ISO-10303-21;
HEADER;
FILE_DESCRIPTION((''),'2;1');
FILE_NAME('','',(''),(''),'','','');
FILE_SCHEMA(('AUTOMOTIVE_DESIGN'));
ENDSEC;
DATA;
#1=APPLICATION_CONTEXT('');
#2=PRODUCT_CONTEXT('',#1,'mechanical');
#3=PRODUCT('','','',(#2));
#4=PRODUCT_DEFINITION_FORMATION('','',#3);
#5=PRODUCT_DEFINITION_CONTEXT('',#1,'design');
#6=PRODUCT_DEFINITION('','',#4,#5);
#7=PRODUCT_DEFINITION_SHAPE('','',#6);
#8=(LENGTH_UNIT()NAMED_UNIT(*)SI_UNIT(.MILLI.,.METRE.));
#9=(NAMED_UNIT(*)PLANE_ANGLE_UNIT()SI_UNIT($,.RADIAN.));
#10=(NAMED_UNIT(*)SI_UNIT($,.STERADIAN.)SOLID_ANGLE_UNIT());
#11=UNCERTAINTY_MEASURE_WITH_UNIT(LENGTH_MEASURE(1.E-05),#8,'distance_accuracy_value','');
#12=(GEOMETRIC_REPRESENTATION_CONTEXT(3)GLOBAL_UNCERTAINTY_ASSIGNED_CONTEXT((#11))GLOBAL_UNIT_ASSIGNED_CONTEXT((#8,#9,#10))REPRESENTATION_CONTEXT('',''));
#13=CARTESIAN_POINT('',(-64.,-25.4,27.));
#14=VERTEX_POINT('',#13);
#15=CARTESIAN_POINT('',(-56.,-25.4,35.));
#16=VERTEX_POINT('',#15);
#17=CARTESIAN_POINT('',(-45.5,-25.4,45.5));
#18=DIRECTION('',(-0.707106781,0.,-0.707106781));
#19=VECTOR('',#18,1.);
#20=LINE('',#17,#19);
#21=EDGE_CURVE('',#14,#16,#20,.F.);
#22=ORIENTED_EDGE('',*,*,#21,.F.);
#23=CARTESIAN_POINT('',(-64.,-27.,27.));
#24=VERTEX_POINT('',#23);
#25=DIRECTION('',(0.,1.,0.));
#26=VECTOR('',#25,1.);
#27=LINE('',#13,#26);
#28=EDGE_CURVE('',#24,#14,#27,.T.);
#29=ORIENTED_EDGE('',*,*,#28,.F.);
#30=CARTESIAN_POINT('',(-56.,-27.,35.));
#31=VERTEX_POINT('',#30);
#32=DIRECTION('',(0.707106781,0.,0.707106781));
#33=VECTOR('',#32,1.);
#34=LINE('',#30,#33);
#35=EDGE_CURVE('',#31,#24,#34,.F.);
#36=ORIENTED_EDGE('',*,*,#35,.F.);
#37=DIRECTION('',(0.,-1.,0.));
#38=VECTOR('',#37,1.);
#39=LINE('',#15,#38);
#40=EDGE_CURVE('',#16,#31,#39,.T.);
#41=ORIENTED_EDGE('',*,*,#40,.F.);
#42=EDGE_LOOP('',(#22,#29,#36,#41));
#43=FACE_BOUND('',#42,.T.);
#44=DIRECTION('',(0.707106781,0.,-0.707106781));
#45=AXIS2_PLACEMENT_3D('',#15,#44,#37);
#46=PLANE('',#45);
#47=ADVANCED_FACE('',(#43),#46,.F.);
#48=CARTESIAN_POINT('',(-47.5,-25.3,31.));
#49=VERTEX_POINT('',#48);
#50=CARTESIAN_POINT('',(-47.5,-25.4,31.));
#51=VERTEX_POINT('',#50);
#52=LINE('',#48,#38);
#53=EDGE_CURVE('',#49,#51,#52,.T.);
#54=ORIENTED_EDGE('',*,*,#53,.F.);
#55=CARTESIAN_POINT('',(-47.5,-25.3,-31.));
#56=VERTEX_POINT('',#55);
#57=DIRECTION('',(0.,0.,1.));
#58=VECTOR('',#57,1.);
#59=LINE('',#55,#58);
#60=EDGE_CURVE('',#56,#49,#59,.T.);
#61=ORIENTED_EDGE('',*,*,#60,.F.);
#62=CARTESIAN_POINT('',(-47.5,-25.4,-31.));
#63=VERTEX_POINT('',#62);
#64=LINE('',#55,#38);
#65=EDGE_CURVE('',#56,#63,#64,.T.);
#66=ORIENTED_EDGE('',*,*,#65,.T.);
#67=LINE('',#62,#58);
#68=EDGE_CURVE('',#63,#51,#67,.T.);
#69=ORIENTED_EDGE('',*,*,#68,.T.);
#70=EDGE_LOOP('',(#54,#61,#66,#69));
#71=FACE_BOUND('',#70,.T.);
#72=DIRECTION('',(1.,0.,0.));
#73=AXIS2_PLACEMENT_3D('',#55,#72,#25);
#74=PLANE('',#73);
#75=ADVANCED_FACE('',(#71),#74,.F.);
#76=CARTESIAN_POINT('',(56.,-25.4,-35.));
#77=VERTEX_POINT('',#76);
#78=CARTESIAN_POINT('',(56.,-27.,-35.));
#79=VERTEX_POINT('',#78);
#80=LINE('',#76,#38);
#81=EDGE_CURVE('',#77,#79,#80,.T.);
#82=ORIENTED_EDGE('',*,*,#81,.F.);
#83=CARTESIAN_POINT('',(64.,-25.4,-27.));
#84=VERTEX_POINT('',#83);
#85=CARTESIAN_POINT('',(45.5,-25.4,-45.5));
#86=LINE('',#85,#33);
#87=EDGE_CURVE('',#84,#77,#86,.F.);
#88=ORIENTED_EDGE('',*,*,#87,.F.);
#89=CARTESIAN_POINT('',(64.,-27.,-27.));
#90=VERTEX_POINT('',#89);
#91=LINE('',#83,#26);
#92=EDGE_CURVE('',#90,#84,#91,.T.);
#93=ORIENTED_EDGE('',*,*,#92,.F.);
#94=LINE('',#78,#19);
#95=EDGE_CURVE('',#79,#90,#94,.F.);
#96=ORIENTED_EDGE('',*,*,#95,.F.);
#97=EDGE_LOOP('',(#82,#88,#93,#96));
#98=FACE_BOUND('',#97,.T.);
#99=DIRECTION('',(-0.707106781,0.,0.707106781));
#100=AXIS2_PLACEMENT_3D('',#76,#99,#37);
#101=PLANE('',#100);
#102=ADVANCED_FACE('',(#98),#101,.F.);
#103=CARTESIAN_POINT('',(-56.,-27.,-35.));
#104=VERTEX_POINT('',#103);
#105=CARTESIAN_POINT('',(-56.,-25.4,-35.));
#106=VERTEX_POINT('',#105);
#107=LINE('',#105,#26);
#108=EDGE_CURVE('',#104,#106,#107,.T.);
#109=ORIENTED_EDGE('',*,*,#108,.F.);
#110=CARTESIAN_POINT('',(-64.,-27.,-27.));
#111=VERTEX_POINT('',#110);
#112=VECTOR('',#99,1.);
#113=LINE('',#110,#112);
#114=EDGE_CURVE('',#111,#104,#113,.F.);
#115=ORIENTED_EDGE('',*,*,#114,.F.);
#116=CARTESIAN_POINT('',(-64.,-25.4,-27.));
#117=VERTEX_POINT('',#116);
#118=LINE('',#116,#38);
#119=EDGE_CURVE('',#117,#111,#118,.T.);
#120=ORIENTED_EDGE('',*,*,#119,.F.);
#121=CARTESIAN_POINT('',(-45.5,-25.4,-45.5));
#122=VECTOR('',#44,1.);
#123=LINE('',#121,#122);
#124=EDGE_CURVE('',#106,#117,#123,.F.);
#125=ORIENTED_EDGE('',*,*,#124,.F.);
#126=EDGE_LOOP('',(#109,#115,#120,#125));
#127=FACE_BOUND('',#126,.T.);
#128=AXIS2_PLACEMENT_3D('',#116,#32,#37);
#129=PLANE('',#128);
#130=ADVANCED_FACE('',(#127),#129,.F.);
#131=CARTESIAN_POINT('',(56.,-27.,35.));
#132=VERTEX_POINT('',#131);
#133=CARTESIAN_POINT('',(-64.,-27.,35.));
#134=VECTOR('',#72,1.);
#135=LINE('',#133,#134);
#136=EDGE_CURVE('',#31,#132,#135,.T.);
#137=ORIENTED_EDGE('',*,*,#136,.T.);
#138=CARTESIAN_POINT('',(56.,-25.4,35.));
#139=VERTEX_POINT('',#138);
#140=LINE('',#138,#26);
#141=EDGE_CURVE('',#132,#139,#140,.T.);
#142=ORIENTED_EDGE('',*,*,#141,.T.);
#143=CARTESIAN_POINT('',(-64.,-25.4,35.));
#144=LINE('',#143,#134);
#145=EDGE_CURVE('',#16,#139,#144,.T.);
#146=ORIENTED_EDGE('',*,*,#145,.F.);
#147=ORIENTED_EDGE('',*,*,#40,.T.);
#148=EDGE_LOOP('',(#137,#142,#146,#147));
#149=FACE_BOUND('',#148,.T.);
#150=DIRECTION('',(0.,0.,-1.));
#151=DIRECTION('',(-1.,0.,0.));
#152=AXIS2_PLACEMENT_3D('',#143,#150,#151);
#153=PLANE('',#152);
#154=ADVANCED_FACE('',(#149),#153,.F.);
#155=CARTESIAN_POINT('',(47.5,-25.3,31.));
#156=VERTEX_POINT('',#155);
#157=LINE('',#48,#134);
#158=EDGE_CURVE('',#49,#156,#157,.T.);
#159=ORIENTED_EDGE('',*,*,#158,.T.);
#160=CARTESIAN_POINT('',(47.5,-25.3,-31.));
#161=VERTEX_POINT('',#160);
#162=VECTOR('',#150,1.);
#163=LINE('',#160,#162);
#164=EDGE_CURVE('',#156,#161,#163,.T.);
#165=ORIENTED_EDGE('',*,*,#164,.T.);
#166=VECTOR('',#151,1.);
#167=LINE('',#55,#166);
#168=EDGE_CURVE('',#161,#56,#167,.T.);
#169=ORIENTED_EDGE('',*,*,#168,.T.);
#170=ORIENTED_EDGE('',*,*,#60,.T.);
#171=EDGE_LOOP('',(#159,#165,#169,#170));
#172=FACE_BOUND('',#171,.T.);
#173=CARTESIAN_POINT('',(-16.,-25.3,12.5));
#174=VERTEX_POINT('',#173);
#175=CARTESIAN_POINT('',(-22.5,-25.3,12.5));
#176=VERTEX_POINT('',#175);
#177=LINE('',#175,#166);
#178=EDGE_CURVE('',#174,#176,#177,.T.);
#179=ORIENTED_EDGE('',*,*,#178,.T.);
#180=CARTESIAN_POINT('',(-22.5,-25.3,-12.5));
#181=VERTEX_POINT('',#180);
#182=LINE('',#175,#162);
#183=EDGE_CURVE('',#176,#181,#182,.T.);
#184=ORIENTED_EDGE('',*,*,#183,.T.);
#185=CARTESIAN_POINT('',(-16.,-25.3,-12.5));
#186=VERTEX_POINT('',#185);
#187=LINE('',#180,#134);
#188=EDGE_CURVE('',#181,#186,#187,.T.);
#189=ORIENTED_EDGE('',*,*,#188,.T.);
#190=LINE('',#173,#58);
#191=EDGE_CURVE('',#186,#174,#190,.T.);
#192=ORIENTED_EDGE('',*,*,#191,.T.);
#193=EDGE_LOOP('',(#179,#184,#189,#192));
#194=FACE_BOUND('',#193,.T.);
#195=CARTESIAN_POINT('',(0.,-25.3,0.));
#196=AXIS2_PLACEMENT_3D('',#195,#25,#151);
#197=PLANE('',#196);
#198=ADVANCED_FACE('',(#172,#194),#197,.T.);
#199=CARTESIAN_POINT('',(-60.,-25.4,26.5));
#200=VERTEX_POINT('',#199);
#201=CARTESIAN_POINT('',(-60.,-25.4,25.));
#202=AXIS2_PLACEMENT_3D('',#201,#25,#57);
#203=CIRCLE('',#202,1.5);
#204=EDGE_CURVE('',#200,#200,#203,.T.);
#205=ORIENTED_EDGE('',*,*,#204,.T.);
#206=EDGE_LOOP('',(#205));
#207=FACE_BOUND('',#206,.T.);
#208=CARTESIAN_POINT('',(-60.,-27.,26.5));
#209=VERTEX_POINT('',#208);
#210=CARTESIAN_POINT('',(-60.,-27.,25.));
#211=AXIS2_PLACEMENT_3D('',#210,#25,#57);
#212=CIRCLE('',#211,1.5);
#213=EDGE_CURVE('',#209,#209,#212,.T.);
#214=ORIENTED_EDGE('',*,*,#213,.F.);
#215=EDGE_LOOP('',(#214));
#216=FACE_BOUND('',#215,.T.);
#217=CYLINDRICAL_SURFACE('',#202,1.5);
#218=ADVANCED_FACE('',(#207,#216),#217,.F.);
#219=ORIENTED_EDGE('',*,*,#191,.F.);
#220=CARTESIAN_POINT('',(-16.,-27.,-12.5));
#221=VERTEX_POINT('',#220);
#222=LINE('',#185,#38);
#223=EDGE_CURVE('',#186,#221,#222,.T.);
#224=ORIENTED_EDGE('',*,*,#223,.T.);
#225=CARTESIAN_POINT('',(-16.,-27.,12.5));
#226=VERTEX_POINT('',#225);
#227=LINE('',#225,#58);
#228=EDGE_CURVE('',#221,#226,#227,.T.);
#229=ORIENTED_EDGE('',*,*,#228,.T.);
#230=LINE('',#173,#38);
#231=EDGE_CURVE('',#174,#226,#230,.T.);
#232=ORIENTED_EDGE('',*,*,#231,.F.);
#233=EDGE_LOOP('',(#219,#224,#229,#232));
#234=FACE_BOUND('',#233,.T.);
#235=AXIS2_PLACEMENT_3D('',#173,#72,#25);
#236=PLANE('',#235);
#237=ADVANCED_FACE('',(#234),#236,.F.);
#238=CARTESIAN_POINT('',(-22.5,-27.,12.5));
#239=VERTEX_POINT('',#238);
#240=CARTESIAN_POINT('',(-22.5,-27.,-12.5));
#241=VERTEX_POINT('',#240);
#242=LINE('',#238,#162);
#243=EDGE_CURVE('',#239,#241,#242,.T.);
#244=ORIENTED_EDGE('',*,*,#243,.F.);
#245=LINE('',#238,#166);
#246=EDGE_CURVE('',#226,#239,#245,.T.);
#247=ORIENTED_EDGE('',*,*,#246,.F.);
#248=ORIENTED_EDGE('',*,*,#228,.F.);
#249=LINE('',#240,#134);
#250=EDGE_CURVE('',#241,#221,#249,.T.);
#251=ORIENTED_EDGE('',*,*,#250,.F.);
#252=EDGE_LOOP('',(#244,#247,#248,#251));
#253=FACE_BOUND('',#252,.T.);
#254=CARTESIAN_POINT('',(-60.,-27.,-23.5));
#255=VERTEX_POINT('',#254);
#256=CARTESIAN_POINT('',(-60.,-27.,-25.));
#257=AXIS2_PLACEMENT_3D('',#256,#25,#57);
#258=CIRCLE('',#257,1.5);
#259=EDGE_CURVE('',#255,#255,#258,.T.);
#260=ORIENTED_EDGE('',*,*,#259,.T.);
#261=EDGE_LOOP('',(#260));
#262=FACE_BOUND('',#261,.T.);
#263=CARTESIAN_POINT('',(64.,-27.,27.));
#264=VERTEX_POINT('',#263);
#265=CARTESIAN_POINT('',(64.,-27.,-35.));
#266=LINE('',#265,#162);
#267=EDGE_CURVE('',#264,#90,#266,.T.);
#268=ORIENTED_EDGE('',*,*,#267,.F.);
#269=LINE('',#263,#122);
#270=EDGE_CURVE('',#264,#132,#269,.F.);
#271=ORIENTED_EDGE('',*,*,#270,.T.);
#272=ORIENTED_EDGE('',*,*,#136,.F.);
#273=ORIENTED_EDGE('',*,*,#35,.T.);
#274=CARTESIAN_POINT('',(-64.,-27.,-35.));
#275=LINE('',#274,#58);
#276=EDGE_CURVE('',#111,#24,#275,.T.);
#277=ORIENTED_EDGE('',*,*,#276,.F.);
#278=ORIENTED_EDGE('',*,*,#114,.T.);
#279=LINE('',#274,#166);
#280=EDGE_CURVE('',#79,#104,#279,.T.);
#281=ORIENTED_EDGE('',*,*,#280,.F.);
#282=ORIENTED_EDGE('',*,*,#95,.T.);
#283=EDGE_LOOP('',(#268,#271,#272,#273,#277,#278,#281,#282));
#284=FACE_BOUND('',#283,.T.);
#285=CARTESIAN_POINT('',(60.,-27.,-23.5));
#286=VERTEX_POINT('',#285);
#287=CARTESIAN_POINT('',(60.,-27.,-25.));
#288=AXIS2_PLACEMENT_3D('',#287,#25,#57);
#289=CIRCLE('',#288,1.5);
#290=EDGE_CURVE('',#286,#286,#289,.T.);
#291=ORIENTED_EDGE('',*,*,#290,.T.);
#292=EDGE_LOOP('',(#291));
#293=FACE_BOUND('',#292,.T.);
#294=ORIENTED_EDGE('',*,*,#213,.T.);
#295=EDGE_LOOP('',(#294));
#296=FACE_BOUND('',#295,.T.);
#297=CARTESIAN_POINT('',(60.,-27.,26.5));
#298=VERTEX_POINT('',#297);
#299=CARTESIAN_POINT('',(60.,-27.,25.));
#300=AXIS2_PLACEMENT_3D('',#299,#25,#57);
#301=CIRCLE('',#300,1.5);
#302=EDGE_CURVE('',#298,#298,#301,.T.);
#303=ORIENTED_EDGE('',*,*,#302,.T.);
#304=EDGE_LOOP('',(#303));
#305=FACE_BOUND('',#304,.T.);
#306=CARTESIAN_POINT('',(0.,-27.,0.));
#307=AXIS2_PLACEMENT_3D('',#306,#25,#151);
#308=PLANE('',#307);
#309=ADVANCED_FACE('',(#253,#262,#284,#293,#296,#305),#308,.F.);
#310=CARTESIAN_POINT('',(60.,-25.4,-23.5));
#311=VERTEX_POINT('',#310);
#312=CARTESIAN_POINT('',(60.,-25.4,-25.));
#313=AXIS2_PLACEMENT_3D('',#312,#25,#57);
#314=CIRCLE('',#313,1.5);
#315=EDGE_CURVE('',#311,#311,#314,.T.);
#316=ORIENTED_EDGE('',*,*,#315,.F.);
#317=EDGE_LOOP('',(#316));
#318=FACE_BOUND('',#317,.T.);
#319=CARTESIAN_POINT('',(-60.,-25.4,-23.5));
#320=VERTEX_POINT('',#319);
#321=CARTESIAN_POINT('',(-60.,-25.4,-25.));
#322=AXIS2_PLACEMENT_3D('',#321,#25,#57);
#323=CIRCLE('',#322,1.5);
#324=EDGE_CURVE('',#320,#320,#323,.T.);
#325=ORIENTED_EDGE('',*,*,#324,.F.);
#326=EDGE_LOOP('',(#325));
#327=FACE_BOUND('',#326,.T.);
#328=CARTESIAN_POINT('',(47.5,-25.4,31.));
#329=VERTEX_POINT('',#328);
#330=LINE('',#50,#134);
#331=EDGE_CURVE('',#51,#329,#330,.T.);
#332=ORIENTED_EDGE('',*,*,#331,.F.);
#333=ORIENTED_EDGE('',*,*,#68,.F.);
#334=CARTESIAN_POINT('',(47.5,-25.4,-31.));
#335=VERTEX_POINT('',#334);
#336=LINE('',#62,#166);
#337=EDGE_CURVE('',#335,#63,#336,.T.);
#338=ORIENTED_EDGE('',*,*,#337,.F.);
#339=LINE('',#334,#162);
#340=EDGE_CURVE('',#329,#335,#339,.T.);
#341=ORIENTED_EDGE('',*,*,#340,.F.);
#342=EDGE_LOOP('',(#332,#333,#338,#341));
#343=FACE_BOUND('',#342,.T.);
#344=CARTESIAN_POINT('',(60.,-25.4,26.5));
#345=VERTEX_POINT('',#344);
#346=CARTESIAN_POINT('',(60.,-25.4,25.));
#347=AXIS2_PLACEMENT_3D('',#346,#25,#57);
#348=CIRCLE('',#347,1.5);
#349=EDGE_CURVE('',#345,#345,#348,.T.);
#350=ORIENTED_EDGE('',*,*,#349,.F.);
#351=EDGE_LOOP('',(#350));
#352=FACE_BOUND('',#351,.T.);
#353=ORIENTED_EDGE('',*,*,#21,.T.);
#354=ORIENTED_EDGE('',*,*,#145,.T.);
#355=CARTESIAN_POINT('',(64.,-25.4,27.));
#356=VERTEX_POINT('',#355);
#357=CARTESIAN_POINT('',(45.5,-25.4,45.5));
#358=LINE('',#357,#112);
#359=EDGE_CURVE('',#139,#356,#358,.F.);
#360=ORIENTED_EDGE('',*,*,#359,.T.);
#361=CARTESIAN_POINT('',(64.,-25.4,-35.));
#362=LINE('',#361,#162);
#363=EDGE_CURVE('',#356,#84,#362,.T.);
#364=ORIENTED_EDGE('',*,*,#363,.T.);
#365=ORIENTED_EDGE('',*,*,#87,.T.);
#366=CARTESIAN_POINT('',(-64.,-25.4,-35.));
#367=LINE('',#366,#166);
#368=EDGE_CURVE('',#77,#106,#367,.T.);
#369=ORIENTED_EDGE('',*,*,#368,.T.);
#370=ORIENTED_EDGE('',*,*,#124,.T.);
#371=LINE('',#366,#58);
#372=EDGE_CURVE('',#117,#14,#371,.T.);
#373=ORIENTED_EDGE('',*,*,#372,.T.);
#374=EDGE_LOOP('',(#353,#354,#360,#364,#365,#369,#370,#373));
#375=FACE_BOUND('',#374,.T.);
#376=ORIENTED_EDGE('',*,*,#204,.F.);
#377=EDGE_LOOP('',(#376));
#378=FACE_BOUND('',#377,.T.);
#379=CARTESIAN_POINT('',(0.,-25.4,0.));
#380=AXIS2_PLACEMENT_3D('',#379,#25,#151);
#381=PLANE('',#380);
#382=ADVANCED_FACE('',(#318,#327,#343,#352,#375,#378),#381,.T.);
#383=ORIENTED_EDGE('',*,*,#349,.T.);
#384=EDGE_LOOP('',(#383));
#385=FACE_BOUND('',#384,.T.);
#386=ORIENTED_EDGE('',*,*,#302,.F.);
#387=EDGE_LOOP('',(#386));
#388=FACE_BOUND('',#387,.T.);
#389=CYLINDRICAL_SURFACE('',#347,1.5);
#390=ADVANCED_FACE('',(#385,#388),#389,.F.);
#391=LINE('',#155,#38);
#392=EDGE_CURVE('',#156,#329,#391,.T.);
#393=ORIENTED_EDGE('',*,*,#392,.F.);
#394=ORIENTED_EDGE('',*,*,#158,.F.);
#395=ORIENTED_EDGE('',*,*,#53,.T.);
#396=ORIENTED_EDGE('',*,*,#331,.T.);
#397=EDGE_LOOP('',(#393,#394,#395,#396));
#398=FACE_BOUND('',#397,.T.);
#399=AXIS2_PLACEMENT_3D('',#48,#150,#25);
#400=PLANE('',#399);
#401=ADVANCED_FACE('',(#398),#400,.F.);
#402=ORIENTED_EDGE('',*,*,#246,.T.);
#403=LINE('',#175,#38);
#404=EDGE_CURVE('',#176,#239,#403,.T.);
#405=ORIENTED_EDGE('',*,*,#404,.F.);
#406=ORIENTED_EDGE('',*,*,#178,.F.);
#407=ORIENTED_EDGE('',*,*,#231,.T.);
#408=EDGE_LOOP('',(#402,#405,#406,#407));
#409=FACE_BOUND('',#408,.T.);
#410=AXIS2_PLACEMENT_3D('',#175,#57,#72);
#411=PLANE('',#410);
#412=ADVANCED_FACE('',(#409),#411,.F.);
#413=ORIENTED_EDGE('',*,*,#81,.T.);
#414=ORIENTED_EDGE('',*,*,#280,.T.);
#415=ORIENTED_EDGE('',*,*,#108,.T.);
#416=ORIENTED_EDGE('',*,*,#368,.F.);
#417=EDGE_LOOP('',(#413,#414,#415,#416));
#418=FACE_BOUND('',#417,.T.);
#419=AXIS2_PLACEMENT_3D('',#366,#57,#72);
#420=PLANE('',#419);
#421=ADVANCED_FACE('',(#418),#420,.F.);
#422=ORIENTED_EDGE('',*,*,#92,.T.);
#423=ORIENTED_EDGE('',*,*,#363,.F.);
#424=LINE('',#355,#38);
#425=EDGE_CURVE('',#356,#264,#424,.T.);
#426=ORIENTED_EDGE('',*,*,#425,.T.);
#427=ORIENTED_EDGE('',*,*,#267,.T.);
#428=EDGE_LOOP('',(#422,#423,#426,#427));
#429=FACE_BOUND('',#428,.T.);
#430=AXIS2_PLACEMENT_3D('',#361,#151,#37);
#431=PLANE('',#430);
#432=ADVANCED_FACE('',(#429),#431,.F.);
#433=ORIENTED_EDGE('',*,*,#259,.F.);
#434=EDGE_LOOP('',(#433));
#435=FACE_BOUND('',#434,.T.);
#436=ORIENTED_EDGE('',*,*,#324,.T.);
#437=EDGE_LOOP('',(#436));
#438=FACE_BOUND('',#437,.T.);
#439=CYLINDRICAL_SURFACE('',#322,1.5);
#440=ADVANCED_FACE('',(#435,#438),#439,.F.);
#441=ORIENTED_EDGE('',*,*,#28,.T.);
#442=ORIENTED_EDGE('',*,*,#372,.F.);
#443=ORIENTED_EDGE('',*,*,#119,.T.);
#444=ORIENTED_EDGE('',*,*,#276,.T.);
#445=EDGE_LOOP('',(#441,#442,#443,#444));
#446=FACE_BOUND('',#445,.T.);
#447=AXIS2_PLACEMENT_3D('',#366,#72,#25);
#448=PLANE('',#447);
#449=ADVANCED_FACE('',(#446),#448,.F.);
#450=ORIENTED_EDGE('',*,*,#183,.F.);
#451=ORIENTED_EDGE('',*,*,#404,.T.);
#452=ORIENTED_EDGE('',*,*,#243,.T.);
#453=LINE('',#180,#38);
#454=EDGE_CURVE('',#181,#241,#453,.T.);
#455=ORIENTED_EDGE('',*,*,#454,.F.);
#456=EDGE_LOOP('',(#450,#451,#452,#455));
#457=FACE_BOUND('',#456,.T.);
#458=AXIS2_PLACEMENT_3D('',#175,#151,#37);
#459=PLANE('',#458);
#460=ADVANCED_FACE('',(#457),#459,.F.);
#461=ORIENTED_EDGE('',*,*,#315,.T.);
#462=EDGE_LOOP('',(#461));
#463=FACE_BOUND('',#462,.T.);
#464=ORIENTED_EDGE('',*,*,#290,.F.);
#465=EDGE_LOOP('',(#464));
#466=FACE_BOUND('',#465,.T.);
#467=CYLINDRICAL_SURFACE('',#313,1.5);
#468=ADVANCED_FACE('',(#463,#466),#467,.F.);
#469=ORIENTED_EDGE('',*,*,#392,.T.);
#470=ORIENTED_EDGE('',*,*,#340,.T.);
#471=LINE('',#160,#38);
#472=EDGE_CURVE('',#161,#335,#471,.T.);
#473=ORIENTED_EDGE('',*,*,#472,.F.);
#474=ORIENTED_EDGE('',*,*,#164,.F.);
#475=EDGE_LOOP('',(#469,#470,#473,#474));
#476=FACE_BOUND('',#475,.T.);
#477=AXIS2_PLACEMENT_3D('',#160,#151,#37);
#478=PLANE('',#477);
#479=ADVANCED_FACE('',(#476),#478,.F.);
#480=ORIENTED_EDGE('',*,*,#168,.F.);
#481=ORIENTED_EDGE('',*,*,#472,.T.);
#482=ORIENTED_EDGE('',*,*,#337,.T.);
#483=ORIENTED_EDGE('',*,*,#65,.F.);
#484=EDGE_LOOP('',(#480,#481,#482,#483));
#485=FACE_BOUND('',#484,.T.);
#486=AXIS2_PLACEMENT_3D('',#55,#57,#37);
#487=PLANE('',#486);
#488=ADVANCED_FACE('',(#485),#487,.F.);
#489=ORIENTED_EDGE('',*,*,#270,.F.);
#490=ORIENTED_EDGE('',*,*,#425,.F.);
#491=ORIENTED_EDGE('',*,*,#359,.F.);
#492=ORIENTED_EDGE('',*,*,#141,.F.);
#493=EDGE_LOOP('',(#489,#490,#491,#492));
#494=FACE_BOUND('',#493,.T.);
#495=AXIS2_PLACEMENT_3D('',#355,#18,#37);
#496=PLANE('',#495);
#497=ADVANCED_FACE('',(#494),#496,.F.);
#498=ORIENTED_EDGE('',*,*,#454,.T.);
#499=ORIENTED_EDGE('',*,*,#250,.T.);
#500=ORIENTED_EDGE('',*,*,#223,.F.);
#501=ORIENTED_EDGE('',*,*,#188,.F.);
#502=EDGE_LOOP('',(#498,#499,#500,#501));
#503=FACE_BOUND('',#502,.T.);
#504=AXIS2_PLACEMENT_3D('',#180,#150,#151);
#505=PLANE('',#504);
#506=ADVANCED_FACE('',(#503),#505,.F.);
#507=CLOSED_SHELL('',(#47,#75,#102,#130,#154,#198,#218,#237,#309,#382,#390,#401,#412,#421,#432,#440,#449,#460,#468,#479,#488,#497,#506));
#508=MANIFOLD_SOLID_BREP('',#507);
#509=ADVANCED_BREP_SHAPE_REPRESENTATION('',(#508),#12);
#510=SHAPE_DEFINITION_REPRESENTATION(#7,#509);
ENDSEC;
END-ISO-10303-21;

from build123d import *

# Parameters (mm, degrees)
SKETCH1_W                = 128
SKETCH1_H                = 70
BOSS_EXTRUDE1_DEPTH      = 1.6
CHAMFER1_SIZE            = 8
F_3_0_3_DIAMETER_HOLE1_D = 3
SKETCH4_W                = 95
SKETCH4_H                = 62
BOSS_EXTRUDE2_DEPTH      = 0.1
SKETCH5_W                = 6.5
SKETCH5_H                = 25
CUT_EXTRUDE1_DEPTH       = 2.7


with BuildPart() as part:
    # Sketch1 → Boss-Extrude1 (new body)
    with BuildSketch(Plane(origin=(0, -27, 0), x_dir=(1, 0, 0), z_dir=(0, 1, 0))):
        Rectangle(SKETCH1_W, SKETCH1_H)
    extrude(amount=BOSS_EXTRUDE1_DEPTH)

    # Chamfer1
    chamfer1_edges = [part.edges().sort_by_distance(p)[0] for p in [
        (64, -26.2, 35),
        (-64, -26.2, 35),
        (-64, -26.2, -35),
        (64, -26.2, -35),
    ]]
    chamfer(chamfer1_edges, length=CHAMFER1_SIZE)

    # Ø3.0 (3) Diameter Hole1 (through all)
    with Locations(Plane(origin=(0, -25.4, 0), x_dir=(1, 0, 0), z_dir=(0, 1, 0))):
        with Locations((-60, -25), (-60, 25), (60, 25), (60, -25)):
            Hole(F_3_0_3_DIAMETER_HOLE1_D / 2)

    # Sketch4 → Boss-Extrude2 (add)
    with BuildSketch(Plane(origin=(0, -25.4, 0), x_dir=(1, 0, 0), z_dir=(0, 1, 0))):
        Rectangle(SKETCH4_W, SKETCH4_H)
    extrude(amount=BOSS_EXTRUDE2_DEPTH)

    # Sketch5 → Cut-Extrude1 (cut, through all)
    with BuildSketch(Plane.XZ.offset(27)):
        with Locations((-19.25, 0)):
            Rectangle(SKETCH5_W, SKETCH5_H)
    extrude(amount=-CUT_EXTRUDE1_DEPTH, mode=Mode.SUBTRACT)


solid = part.part
